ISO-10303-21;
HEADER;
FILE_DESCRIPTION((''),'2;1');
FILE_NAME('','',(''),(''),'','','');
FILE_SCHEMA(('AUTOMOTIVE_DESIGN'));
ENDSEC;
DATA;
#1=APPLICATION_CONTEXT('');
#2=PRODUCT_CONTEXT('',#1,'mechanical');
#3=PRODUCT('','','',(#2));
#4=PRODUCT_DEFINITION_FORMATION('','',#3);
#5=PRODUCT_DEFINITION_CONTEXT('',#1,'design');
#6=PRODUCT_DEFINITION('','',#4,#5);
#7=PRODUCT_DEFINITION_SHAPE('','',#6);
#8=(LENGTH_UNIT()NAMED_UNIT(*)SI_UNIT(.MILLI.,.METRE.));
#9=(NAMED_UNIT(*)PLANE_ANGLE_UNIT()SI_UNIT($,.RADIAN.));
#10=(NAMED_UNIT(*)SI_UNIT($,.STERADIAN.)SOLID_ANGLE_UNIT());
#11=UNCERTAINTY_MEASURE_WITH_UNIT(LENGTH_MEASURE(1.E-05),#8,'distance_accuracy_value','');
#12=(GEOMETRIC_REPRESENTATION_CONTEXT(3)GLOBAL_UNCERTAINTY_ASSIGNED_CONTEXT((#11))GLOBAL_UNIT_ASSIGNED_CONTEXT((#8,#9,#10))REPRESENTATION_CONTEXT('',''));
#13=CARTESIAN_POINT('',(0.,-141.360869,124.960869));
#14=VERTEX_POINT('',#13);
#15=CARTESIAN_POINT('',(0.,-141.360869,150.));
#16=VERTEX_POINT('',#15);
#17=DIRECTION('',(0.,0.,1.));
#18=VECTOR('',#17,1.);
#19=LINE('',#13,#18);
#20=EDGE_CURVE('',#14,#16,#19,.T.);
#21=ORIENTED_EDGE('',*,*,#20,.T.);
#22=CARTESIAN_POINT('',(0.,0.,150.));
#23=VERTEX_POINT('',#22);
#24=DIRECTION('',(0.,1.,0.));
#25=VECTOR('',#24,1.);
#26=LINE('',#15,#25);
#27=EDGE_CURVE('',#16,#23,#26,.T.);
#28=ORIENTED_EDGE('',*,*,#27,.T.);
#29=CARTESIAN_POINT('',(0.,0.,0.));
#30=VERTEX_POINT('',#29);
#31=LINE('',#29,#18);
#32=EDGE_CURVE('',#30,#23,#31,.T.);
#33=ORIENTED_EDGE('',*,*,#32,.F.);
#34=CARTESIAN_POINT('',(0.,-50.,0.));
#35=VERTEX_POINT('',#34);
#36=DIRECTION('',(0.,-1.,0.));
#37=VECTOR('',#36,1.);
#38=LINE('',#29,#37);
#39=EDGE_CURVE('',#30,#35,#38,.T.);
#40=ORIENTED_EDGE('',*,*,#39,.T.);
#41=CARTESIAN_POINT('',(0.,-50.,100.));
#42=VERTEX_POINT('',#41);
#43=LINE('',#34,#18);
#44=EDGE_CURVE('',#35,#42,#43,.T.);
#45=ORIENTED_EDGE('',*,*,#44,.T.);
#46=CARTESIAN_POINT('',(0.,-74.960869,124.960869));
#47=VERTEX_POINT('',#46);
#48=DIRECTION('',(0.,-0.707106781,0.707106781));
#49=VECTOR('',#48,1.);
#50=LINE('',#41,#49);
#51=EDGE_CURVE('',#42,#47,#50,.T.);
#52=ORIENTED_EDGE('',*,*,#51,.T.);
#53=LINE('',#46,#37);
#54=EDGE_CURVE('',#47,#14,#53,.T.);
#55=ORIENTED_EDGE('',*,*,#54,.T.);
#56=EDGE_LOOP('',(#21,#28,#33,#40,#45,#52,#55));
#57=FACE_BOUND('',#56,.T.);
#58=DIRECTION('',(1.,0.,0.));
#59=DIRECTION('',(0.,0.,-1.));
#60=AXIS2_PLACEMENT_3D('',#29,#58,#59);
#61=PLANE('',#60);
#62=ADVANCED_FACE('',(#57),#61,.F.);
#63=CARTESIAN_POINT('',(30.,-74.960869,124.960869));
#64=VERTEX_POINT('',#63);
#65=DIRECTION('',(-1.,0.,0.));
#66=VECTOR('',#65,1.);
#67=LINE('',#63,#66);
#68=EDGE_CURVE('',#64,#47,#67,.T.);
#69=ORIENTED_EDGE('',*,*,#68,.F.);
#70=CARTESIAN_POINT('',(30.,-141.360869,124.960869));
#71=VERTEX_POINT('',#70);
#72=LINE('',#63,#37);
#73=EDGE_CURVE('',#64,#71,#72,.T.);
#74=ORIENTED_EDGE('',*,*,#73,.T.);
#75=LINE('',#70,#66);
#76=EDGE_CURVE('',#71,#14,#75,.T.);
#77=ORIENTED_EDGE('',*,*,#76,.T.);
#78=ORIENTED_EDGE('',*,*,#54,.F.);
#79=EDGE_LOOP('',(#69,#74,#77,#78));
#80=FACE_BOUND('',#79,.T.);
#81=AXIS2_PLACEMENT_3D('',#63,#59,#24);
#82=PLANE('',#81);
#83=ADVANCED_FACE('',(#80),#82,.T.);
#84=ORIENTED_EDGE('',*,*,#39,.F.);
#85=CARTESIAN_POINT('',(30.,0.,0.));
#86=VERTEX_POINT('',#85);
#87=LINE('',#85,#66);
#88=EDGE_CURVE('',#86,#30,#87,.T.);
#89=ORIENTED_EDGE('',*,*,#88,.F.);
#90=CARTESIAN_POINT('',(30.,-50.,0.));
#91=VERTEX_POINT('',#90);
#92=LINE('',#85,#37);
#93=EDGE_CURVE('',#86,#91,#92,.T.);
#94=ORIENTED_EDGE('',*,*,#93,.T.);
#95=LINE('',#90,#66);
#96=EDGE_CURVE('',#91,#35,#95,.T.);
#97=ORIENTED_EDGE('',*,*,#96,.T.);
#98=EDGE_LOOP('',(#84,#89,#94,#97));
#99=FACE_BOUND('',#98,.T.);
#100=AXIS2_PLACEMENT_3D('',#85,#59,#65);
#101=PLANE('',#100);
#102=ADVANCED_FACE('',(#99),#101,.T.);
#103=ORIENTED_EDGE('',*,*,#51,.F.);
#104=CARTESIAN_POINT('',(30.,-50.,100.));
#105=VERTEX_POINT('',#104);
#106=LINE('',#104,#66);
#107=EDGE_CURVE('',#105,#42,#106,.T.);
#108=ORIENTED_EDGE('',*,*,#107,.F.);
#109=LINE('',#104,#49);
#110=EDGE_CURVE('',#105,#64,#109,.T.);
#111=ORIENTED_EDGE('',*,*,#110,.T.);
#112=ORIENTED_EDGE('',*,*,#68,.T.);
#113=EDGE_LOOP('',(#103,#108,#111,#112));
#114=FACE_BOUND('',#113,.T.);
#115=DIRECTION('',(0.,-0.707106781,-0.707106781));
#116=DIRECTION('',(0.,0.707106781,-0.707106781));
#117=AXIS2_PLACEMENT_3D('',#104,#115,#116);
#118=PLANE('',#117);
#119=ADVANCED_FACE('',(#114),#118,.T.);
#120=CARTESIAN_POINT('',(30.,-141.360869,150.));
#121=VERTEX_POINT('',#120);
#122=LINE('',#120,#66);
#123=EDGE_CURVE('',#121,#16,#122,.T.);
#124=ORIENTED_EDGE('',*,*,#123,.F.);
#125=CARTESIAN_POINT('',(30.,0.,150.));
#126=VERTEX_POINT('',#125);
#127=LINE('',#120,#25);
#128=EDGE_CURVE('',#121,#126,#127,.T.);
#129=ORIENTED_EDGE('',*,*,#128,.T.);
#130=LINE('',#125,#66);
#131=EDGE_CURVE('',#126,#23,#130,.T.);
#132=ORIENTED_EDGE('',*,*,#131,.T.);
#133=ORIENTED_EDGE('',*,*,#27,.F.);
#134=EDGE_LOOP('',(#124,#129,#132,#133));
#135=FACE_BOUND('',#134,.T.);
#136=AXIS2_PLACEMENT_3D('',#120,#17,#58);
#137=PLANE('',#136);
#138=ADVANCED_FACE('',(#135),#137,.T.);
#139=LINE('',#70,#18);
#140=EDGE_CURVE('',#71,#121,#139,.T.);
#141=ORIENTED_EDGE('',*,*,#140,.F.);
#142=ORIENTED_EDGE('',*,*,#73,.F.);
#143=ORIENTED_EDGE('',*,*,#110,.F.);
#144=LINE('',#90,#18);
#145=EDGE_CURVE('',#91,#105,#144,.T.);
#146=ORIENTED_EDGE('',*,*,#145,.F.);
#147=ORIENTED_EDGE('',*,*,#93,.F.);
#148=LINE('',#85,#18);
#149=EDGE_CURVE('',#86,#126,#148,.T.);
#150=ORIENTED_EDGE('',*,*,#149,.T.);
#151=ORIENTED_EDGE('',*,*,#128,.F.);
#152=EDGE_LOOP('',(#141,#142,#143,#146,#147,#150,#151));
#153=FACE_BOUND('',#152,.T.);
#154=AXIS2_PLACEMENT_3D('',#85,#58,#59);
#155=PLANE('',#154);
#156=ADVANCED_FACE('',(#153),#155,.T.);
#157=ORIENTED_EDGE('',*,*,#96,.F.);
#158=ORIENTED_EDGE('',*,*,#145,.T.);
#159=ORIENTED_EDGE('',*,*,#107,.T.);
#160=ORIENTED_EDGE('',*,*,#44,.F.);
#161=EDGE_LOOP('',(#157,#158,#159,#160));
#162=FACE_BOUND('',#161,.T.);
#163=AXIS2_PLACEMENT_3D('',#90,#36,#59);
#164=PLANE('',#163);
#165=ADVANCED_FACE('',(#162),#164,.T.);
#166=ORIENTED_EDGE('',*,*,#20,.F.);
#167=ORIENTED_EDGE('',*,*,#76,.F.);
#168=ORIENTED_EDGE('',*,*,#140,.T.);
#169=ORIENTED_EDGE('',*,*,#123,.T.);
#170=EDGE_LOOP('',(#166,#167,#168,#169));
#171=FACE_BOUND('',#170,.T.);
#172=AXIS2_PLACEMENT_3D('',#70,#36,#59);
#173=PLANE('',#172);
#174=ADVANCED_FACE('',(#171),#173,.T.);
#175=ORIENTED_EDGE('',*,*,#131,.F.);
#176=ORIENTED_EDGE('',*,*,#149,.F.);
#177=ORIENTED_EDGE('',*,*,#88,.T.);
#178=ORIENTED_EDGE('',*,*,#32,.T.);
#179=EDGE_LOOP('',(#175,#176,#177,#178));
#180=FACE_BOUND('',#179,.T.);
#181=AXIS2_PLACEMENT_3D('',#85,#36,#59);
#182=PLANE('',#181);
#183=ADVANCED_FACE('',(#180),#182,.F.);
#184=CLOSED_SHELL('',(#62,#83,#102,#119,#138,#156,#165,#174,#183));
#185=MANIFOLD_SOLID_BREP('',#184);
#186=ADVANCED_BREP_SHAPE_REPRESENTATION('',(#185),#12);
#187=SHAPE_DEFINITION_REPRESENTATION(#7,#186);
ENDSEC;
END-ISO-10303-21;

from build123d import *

# Parameters (mm, degrees)
BOSS_EXTRUDE1_DEPTH = 30


with BuildPart() as part:
    # Sketch1 → Boss-Extrude1 (new body)
    with BuildSketch(Plane.YZ):
        Polygon((0, 0), (-50, 0), (-50, 100), (-74.960869376, 124.960869376), (-141.360869376, 124.960869376), (-141.360869376, 150), (0, 150), align=None)
    extrude(amount=BOSS_EXTRUDE1_DEPTH)


solid = part.part
